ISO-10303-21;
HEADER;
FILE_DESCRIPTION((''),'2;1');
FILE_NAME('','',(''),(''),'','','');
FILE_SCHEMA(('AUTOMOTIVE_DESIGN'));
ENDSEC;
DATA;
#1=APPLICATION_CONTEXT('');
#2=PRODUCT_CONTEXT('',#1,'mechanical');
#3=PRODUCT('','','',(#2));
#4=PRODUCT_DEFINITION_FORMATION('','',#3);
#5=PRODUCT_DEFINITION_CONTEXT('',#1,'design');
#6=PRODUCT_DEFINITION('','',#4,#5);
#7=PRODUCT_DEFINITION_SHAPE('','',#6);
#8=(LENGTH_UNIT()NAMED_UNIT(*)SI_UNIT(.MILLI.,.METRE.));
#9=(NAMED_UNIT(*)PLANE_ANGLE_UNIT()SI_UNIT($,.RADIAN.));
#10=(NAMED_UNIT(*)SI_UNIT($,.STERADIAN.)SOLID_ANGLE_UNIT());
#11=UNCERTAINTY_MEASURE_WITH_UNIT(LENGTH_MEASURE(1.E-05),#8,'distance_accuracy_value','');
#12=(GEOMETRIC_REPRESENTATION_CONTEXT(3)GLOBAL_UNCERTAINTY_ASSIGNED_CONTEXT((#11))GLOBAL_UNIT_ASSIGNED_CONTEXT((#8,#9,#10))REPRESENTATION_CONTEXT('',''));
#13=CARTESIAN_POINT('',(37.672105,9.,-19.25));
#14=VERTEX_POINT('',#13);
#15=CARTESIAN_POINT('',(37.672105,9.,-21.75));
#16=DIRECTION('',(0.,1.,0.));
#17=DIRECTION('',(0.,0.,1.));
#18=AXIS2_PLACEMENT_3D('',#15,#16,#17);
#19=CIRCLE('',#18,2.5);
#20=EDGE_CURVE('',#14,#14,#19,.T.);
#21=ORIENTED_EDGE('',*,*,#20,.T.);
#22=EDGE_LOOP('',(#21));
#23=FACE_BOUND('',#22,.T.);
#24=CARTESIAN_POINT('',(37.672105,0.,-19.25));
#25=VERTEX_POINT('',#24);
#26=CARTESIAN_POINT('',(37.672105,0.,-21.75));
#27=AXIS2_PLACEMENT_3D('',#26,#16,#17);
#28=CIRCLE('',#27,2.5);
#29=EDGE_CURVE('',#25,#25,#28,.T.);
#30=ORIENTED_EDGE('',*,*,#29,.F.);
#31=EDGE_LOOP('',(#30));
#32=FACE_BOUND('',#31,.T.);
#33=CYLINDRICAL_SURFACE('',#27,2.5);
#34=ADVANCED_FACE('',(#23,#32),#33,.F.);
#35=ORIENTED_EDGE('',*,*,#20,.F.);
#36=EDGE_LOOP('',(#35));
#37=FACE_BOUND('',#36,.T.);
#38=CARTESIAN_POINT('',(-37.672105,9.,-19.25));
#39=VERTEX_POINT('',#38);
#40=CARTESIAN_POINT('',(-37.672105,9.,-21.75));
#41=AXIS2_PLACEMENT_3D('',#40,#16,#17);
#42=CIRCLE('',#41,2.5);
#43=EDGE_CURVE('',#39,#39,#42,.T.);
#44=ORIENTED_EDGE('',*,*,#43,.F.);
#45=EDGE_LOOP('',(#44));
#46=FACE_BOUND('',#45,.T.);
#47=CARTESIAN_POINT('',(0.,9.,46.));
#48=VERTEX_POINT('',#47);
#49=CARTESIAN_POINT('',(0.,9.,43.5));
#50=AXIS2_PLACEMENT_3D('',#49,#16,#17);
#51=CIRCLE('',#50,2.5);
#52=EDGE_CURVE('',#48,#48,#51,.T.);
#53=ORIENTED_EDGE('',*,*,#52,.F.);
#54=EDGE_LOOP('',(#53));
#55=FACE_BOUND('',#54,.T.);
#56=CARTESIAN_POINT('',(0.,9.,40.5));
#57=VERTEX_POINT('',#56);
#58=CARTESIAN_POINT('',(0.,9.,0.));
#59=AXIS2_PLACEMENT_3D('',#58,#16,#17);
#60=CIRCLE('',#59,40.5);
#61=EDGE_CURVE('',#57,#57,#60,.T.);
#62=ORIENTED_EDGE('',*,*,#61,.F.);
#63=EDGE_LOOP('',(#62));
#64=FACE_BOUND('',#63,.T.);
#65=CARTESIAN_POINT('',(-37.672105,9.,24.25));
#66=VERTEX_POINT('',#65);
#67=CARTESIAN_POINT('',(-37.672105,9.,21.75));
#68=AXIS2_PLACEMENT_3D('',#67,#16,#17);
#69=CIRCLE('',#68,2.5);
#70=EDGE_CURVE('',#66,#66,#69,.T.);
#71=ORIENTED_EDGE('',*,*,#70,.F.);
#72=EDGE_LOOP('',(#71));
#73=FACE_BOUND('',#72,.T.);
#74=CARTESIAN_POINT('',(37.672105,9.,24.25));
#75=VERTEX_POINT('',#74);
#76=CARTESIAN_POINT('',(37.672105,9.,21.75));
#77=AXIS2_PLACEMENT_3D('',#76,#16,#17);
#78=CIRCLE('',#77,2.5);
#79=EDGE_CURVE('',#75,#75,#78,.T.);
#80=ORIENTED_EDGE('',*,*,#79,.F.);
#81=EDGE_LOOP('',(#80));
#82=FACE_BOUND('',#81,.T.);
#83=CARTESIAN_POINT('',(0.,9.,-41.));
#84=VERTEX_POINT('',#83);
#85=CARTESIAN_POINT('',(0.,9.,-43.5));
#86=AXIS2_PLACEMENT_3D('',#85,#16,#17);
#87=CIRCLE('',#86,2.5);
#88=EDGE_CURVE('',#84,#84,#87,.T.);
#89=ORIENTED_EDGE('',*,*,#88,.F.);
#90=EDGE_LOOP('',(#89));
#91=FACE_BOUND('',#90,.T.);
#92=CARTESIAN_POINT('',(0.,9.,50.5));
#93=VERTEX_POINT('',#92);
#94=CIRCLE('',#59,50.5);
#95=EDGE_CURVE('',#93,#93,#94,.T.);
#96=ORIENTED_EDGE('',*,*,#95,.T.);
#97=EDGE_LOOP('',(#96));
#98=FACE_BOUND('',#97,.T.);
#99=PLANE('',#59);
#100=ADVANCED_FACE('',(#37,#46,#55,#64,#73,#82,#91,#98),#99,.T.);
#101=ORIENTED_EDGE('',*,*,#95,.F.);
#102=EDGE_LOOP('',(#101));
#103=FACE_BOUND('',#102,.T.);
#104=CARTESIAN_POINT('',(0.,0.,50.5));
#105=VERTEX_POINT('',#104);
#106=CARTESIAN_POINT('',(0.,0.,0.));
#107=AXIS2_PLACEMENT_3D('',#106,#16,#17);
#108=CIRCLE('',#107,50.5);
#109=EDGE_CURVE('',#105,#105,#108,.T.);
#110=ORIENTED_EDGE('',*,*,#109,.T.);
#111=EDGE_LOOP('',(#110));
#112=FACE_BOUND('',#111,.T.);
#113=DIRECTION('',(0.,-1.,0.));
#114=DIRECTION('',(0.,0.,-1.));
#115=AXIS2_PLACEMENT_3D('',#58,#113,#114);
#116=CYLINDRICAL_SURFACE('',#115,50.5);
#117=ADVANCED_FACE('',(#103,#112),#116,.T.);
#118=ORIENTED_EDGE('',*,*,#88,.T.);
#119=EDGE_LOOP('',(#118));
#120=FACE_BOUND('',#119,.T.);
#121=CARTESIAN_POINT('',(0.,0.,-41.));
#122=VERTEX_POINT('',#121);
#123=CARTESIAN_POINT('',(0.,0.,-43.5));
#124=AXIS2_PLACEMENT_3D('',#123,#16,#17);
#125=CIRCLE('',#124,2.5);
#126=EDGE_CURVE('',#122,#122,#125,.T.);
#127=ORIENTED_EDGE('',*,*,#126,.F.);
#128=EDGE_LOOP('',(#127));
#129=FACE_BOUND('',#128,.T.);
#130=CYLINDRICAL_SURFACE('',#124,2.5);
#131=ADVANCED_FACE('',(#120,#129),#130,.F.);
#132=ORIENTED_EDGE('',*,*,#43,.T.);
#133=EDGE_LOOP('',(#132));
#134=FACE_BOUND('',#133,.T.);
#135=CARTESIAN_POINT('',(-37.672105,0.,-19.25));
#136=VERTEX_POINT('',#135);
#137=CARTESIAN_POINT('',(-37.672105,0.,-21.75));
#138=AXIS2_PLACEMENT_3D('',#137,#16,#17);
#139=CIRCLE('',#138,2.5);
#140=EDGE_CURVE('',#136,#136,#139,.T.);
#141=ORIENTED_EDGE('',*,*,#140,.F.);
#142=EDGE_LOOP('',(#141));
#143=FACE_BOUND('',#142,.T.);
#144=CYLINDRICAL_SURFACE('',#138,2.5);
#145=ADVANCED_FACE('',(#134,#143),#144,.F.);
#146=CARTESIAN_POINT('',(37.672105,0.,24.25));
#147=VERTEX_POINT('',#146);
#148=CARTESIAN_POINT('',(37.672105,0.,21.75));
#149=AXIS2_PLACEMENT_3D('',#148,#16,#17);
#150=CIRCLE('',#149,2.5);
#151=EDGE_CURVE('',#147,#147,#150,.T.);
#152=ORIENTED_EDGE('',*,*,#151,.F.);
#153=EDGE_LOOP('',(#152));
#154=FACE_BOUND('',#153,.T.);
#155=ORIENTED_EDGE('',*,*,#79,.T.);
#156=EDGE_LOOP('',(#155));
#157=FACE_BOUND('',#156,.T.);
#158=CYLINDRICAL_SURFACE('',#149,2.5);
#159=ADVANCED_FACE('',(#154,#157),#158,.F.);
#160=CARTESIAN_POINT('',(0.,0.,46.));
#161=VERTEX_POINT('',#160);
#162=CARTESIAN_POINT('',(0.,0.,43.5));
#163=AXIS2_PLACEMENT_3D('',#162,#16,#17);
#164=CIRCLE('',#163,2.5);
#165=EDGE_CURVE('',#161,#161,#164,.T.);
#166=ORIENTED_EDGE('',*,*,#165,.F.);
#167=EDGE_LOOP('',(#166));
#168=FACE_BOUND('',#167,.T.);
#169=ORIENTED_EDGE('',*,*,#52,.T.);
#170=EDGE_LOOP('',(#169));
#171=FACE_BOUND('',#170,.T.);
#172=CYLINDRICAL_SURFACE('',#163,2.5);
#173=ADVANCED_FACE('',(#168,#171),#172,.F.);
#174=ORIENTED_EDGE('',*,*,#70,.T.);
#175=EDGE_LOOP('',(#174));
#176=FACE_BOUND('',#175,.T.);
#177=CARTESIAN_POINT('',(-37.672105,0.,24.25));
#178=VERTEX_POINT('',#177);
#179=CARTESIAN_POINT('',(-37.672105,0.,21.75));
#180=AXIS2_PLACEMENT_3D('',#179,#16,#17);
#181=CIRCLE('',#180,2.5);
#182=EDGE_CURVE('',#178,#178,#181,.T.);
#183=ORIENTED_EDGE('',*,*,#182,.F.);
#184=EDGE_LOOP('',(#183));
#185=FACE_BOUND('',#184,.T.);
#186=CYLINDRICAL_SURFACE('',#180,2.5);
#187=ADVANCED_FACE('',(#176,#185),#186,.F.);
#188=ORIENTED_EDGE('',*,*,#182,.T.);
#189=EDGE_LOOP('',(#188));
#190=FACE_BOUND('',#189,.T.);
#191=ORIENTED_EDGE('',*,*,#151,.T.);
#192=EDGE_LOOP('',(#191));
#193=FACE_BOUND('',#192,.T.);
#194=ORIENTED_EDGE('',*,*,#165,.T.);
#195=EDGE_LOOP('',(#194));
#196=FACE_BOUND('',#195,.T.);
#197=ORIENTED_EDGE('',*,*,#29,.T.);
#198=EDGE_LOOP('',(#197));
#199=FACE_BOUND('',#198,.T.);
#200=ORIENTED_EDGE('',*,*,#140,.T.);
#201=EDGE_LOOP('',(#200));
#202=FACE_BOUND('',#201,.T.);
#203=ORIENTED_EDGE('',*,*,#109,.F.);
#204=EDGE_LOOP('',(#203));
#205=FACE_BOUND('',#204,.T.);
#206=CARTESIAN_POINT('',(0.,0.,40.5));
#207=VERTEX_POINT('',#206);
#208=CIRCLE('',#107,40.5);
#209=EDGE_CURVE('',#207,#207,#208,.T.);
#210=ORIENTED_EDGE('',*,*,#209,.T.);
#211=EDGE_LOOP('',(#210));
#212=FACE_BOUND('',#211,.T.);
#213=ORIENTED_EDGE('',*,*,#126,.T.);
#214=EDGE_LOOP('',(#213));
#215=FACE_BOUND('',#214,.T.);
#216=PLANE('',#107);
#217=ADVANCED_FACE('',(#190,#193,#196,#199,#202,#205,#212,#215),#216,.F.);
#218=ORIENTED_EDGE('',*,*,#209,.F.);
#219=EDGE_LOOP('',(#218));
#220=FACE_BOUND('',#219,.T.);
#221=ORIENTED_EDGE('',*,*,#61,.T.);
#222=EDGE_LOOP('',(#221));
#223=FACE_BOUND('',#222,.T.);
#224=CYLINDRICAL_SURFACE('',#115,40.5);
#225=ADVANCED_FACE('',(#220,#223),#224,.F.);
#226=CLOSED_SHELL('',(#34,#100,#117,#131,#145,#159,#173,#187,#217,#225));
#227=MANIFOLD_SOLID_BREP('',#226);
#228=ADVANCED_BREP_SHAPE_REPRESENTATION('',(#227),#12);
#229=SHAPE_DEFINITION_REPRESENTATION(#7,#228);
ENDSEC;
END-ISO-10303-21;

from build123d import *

# Parameters (mm, degrees)
SKETCH1_R           = 50.5
SKETCH1_R_2         = 40.5
BOSS_EXTRUDE1_DEPTH = 9
SKETCH2_R           = 2.5
CUT_EXTRUDE1_DEPTH  = 9


with BuildPart() as part:
    # Sketch1 → Boss-Extrude1 (new body)
    with BuildSketch(Plane(origin=(0, 0, 0), x_dir=(1, 0, 0), z_dir=(0, 1, 0))):
        with Locations(Location((0, 0, 0), (0, 0, 270))):
            Circle(SKETCH1_R)
        with Locations(Location((0, 0, 0), (0, 0, 270))):
            Circle(SKETCH1_R_2, mode=Mode.SUBTRACT)
    extrude(amount=BOSS_EXTRUDE1_DEPTH)

    # Sketch2 → Cut-Extrude1 (cut)
    with BuildSketch(Plane(origin=(0, 9, 0), x_dir=(1, 0, 0), z_dir=(0, 1, 0))):
        with Locations(Location((0, 43.5, 0), (0, 0, 270))):
            Circle(SKETCH2_R)
        with Locations(Location((37.672105065, 21.75, 0), (0, 0, 270))):
            Circle(SKETCH2_R)
        with Locations(Location((37.672105065, -21.75, 0), (0, 0, 270))):
            Circle(SKETCH2_R)
        with Locations(Location((0, -43.5, 0), (0, 0, 270))):
            Circle(SKETCH2_R)
        with Locations(Location((-37.672105065, -21.75, 0), (0, 0, 270))):
            Circle(SKETCH2_R)
        with Locations(Location((-37.672105065, 21.75, 0), (0, 0, 270))):
            Circle(SKETCH2_R)
    extrude(amount=-CUT_EXTRUDE1_DEPTH, mode=Mode.SUBTRACT)


solid = part.part
